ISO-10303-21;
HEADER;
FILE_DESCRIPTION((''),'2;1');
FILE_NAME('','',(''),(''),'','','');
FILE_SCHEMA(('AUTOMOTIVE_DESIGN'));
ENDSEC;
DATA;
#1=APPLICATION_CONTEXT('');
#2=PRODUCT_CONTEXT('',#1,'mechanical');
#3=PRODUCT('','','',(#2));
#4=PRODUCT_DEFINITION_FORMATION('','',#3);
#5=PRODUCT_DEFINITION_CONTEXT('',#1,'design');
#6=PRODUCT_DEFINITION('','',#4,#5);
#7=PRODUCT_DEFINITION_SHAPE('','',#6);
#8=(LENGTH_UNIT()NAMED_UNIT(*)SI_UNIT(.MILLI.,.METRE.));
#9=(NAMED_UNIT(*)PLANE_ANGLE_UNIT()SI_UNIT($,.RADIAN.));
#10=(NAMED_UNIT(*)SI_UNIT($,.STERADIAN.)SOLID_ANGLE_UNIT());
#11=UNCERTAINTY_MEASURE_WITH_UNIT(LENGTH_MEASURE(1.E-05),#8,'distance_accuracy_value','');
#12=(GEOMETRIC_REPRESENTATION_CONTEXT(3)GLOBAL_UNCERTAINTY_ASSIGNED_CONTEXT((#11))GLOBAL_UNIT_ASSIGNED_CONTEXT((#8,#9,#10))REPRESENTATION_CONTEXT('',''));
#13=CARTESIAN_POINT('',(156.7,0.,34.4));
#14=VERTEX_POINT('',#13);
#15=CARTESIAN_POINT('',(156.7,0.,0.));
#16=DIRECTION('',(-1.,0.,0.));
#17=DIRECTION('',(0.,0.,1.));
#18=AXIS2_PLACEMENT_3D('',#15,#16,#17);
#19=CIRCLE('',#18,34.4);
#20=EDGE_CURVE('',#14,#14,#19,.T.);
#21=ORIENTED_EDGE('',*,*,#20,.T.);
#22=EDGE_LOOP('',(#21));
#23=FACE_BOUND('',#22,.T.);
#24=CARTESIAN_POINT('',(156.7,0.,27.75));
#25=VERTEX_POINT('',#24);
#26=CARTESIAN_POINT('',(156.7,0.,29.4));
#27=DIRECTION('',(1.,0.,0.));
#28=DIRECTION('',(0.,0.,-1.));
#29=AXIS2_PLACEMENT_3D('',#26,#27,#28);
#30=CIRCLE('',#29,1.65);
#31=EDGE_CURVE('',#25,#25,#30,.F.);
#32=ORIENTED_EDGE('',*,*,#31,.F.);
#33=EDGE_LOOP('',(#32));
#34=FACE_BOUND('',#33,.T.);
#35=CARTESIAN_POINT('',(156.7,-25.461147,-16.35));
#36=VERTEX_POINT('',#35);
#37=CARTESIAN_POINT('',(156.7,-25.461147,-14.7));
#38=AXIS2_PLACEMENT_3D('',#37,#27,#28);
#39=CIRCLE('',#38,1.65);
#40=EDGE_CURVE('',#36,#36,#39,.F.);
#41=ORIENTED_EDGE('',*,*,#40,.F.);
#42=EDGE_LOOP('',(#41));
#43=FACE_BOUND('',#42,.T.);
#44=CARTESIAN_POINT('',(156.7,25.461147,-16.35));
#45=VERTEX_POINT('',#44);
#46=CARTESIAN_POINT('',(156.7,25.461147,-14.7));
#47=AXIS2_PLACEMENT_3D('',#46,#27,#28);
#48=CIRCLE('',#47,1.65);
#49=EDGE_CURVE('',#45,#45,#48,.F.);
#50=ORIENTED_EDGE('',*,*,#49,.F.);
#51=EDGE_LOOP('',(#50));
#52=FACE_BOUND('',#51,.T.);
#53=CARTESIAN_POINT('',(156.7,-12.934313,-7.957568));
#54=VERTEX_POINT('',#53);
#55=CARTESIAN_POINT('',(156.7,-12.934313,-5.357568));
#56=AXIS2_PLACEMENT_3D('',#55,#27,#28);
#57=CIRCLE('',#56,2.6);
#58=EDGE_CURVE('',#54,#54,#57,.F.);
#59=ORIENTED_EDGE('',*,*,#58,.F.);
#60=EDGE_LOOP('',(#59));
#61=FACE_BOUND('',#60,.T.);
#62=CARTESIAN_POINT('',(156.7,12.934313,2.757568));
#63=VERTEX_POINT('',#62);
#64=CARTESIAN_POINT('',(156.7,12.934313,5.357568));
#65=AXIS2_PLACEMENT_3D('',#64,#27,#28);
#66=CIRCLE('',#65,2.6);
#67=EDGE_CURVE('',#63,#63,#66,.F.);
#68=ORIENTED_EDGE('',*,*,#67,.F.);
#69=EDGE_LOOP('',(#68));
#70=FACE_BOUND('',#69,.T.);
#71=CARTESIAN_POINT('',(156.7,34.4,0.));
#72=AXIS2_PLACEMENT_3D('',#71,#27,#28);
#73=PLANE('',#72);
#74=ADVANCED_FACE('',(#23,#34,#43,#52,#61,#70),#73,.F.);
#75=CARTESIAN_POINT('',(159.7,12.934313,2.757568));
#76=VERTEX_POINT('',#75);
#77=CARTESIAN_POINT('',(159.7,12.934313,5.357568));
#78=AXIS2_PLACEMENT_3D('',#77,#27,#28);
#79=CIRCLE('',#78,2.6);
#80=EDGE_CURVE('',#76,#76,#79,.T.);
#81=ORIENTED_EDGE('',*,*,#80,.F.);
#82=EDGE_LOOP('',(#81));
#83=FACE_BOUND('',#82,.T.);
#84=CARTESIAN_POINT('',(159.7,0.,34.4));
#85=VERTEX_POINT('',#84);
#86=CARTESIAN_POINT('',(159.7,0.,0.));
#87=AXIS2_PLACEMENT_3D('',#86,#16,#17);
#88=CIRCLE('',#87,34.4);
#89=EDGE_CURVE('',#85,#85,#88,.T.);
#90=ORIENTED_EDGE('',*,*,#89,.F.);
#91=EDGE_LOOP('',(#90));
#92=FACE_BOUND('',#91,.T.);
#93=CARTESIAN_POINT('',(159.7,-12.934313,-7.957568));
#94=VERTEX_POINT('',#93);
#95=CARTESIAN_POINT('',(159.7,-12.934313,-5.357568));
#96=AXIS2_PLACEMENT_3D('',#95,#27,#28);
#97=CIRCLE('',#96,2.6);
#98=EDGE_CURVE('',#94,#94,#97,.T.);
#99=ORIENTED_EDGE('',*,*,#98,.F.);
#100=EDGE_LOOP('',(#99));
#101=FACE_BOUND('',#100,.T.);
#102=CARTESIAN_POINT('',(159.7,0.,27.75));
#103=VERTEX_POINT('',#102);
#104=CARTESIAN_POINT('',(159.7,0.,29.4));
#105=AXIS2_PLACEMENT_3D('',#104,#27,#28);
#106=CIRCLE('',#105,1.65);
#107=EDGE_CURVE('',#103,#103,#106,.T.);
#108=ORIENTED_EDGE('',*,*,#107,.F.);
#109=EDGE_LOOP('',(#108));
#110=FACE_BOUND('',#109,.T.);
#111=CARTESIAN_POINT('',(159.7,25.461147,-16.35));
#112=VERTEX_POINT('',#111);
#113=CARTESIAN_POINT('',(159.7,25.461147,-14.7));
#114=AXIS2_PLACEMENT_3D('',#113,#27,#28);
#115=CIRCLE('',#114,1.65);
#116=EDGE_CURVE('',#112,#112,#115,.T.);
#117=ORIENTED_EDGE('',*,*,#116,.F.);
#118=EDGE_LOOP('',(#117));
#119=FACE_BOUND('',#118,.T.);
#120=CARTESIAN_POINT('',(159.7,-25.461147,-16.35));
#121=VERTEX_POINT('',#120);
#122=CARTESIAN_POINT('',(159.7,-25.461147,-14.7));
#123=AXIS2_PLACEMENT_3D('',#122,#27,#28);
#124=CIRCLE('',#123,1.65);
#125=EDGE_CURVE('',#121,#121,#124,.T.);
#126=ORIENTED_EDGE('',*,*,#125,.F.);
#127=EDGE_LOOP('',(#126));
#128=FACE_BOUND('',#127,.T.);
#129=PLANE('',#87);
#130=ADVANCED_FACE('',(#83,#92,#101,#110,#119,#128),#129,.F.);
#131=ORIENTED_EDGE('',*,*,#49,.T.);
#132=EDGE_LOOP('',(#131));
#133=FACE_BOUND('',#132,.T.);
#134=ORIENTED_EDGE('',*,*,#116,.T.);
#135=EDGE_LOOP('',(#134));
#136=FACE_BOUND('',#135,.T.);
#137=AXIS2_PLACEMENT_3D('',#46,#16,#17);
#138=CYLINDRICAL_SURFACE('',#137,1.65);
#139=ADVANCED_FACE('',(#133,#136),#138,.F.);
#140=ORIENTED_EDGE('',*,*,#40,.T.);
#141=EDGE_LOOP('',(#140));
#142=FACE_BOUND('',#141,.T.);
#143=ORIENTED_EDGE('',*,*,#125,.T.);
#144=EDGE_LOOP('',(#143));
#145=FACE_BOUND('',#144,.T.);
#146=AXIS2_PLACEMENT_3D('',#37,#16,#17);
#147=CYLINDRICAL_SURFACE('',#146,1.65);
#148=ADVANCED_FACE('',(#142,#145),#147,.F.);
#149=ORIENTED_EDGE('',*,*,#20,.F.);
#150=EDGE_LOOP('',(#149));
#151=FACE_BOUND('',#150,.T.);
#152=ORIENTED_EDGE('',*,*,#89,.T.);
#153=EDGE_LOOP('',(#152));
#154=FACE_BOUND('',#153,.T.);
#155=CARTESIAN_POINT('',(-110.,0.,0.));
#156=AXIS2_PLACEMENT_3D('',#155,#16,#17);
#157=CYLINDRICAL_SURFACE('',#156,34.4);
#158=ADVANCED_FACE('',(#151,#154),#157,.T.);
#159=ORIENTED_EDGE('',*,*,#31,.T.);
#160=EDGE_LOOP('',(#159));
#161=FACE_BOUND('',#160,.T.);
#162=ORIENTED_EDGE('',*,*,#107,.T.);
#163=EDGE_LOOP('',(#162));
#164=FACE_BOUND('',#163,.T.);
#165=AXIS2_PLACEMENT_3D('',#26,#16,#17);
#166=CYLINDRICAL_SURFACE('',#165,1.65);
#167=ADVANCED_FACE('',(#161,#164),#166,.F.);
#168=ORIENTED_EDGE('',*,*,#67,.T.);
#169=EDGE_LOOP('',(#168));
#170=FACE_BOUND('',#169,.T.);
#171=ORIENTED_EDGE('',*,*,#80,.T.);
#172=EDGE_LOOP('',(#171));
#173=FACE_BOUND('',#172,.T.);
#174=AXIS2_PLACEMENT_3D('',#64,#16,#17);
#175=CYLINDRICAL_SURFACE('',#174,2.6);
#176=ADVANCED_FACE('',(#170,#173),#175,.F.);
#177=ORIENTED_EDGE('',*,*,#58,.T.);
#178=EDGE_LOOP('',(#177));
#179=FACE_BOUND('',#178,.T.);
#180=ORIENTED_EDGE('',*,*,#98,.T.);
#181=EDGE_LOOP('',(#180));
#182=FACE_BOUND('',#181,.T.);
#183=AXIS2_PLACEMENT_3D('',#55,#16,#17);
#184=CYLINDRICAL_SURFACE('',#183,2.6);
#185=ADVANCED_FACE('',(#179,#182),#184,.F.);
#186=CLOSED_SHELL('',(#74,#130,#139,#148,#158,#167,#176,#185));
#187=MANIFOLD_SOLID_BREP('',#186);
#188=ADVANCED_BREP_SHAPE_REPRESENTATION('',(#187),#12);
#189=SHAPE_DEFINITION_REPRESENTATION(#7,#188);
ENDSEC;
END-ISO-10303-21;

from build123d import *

# Parameters (mm, degrees)
AXIAL_PROFILE_MM_W     = 3
AXIAL_PROFILE_MM_H     = 34.4
AXIAL_HOLES_DEPTH      = 167.945530039
AXIAL_HOLES_DEPTH_BACK = 167.945530039
SKETCH2_R              = 2.6
SKETCH2_R_2            = 1.65


with BuildPart() as part:
    # Axial profile (mm) → Full revolution (revolve)
    with BuildSketch(Plane.XY, mode=Mode.PRIVATE) as full_revolution_sk:
        with Locations((158.2, 17.2)):
            Rectangle(AXIAL_PROFILE_MM_W, AXIAL_PROFILE_MM_H)
    revolve(full_revolution_sk.sketch.rotate(Axis((-110, 0, 0), (1, 0, 0)), 90), axis=Axis((-110, 0, 0), (1, 0, 0)))

    # Sketch2 → Axial holes (cut, two sides: drawn at the far end of the back side and taken through both)
    with BuildSketch(Plane(origin=(0, 0, 0), x_dir=(0, 0, -1), z_dir=(1, 0, 0)).offset(-AXIAL_HOLES_DEPTH_BACK)):
        with Locations((-5.357568053, 12.934313455)):
            Circle(SKETCH2_R)
        with Locations((5.357568053, -12.934313455)):
            Circle(SKETCH2_R)
        with Locations((-29.4, 0)):
            Circle(SKETCH2_R_2)
        with Locations((14.7, -25.461146871)):
            Circle(SKETCH2_R_2)
        with Locations((14.7, 25.461146871)):
            Circle(SKETCH2_R_2)
    extrude(amount=AXIAL_HOLES_DEPTH + AXIAL_HOLES_DEPTH_BACK, mode=Mode.SUBTRACT)


solid = part.part
